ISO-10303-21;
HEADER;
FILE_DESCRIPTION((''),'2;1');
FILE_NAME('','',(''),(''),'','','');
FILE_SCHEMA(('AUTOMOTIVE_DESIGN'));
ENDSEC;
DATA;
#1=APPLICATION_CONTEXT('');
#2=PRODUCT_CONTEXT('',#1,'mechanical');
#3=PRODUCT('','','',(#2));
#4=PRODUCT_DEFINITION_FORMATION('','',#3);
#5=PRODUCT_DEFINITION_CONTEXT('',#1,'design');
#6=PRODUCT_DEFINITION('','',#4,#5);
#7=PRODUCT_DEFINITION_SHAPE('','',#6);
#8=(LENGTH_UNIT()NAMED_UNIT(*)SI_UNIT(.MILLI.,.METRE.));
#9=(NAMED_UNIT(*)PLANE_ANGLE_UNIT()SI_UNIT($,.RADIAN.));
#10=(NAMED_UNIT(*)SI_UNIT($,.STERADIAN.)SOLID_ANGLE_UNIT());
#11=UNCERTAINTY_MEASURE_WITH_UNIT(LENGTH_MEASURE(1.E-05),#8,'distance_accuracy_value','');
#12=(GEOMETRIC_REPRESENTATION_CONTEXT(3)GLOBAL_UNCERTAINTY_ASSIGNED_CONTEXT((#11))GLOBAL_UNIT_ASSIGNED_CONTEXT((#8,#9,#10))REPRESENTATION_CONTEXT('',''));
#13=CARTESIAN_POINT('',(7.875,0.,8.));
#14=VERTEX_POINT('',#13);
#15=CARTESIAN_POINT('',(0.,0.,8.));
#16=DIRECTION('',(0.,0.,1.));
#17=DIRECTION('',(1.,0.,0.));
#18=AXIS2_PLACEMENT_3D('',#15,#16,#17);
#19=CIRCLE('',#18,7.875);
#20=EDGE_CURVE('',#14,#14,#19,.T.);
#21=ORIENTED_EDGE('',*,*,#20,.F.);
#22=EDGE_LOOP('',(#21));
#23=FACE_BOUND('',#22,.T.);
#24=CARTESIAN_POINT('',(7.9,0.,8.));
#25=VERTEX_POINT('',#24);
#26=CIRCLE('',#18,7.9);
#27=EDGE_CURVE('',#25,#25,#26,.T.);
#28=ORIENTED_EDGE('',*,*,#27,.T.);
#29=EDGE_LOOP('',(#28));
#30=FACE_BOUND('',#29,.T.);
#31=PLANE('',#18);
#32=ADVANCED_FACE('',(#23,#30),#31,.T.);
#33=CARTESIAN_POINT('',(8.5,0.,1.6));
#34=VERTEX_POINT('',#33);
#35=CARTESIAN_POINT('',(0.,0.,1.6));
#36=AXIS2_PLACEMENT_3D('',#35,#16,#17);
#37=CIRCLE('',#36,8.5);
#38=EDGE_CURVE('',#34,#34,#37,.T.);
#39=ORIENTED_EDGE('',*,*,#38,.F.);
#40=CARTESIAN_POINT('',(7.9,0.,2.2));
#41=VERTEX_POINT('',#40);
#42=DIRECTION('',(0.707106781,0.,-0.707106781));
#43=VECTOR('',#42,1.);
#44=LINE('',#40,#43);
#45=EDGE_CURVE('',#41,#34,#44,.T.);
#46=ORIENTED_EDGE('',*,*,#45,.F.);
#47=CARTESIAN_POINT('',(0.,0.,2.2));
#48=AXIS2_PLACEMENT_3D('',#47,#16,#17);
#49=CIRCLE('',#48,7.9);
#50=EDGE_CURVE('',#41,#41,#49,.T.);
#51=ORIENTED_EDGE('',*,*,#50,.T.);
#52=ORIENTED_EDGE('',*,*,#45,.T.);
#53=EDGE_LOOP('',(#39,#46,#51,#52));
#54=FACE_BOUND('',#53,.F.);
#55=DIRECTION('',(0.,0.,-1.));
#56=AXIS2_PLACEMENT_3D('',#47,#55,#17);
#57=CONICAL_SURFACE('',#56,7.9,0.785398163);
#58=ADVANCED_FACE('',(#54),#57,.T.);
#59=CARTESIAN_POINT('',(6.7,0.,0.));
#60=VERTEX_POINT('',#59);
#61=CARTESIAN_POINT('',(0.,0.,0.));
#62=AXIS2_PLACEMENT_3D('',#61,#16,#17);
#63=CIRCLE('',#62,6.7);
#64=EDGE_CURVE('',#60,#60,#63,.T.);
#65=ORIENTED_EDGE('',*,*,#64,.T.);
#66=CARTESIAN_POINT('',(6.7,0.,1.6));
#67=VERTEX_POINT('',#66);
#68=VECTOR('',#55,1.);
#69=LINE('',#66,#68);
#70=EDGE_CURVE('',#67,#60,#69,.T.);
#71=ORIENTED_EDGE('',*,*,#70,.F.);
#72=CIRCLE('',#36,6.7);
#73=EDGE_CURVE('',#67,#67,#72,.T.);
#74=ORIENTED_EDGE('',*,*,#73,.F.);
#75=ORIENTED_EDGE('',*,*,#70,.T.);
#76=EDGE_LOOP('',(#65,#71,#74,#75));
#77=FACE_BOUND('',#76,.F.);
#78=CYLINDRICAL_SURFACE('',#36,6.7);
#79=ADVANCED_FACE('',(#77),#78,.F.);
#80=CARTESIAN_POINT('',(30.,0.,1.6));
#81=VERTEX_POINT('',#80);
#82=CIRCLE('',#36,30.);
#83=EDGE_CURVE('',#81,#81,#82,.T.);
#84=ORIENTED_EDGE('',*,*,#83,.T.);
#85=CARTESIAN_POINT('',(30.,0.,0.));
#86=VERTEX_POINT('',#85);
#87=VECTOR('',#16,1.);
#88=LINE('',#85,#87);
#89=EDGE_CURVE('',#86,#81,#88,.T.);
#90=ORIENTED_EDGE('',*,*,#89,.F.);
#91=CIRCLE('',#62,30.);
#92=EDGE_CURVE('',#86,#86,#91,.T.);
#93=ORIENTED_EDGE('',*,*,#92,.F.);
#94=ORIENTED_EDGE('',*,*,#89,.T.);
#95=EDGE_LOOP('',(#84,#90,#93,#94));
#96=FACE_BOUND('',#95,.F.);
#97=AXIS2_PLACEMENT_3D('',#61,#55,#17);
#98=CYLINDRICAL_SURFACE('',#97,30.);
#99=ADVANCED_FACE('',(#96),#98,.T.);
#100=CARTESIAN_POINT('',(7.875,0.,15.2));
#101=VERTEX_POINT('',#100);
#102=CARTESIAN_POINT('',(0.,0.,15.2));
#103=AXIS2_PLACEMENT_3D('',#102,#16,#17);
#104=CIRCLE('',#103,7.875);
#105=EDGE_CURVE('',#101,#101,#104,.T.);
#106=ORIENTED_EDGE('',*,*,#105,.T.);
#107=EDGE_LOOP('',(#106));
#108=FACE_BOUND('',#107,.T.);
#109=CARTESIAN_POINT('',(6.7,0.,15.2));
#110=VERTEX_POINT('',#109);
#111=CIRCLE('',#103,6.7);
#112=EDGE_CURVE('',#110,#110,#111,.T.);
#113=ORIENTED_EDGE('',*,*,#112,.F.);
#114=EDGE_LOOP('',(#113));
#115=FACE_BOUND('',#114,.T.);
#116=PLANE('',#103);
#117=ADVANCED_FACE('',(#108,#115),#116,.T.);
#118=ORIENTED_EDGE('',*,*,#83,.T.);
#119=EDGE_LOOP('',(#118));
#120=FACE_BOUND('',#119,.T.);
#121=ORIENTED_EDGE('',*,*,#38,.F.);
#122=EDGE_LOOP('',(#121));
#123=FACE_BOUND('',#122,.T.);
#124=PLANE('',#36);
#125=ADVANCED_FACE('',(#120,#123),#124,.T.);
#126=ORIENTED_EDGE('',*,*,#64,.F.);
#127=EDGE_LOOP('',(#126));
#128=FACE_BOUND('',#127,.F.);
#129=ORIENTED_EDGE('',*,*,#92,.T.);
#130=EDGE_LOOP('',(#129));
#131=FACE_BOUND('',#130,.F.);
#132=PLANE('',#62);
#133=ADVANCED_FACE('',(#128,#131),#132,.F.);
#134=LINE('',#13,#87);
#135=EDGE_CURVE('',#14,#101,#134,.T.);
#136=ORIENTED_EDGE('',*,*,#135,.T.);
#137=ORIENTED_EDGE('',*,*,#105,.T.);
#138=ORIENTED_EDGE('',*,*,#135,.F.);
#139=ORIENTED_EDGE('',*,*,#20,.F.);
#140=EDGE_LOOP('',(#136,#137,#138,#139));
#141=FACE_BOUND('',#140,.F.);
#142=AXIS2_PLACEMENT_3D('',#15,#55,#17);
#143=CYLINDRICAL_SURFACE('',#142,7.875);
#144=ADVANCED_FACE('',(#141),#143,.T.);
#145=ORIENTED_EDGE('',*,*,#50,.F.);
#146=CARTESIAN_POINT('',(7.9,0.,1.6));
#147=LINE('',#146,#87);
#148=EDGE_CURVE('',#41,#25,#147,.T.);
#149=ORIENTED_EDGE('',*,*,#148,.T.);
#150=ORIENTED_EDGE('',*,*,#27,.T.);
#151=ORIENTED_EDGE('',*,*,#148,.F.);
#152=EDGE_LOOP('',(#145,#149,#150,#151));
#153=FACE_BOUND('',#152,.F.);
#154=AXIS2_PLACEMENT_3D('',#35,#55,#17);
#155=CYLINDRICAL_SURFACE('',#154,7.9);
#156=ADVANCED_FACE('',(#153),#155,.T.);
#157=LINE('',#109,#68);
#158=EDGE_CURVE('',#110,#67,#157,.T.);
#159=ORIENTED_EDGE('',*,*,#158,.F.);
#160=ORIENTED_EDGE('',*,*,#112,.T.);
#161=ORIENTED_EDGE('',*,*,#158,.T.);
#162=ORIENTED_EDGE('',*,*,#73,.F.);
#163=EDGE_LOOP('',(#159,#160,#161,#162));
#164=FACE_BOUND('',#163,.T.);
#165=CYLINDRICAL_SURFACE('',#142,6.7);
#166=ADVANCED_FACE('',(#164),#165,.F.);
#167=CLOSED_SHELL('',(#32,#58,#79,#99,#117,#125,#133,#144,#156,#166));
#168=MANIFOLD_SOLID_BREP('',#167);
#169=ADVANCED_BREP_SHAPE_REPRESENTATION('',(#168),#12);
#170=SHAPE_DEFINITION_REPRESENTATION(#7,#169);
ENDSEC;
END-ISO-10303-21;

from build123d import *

# Parameters (mm, degrees)
SKETCH026_R     = 30
PAD018_DEPTH    = 1.6
SKETCH027_R     = 7.9
SKETCH027_R_2   = 6.7
PAD019_DEPTH    = 6.4
SKETCH028_R     = 7.875
SKETCH028_R_2   = 6.7
PAD020_DEPTH    = 7.2
SKETCH029_R     = 6.7000000001
POCKET006_DEPTH = 1.601
CHAMFER008_SIZE = 0.6


with BuildPart() as part:
    # Sketch026 → Pad018 (new body)
    with BuildSketch(Plane.XY):
        Circle(SKETCH026_R)
    extrude(amount=PAD018_DEPTH)

    # Sketch027 → Pad019 (join)
    with BuildSketch(Plane.XY.offset(1.6)):
        Circle(SKETCH027_R)
        Circle(SKETCH027_R_2, mode=Mode.SUBTRACT)
    extrude(amount=PAD019_DEPTH)

    # Sketch028 → Pad020 (join)
    with BuildSketch(Plane.XY.offset(8)):
        Circle(SKETCH028_R)
        Circle(SKETCH028_R_2, mode=Mode.SUBTRACT)
    extrude(amount=PAD020_DEPTH)

    # Sketch029 → Pocket006 (cut, through all)
    with BuildSketch(Plane.XY.offset(1.6)):
        Circle(SKETCH029_R)
    extrude(amount=-POCKET006_DEPTH, mode=Mode.SUBTRACT)

    # Chamfer008
    chamfer008_edges = [part.edges().sort_by_distance(p)[0] for p in [
        (-7.9, 0, 1.6),
    ]]
    chamfer(chamfer008_edges, length=CHAMFER008_SIZE)


solid = part.part
